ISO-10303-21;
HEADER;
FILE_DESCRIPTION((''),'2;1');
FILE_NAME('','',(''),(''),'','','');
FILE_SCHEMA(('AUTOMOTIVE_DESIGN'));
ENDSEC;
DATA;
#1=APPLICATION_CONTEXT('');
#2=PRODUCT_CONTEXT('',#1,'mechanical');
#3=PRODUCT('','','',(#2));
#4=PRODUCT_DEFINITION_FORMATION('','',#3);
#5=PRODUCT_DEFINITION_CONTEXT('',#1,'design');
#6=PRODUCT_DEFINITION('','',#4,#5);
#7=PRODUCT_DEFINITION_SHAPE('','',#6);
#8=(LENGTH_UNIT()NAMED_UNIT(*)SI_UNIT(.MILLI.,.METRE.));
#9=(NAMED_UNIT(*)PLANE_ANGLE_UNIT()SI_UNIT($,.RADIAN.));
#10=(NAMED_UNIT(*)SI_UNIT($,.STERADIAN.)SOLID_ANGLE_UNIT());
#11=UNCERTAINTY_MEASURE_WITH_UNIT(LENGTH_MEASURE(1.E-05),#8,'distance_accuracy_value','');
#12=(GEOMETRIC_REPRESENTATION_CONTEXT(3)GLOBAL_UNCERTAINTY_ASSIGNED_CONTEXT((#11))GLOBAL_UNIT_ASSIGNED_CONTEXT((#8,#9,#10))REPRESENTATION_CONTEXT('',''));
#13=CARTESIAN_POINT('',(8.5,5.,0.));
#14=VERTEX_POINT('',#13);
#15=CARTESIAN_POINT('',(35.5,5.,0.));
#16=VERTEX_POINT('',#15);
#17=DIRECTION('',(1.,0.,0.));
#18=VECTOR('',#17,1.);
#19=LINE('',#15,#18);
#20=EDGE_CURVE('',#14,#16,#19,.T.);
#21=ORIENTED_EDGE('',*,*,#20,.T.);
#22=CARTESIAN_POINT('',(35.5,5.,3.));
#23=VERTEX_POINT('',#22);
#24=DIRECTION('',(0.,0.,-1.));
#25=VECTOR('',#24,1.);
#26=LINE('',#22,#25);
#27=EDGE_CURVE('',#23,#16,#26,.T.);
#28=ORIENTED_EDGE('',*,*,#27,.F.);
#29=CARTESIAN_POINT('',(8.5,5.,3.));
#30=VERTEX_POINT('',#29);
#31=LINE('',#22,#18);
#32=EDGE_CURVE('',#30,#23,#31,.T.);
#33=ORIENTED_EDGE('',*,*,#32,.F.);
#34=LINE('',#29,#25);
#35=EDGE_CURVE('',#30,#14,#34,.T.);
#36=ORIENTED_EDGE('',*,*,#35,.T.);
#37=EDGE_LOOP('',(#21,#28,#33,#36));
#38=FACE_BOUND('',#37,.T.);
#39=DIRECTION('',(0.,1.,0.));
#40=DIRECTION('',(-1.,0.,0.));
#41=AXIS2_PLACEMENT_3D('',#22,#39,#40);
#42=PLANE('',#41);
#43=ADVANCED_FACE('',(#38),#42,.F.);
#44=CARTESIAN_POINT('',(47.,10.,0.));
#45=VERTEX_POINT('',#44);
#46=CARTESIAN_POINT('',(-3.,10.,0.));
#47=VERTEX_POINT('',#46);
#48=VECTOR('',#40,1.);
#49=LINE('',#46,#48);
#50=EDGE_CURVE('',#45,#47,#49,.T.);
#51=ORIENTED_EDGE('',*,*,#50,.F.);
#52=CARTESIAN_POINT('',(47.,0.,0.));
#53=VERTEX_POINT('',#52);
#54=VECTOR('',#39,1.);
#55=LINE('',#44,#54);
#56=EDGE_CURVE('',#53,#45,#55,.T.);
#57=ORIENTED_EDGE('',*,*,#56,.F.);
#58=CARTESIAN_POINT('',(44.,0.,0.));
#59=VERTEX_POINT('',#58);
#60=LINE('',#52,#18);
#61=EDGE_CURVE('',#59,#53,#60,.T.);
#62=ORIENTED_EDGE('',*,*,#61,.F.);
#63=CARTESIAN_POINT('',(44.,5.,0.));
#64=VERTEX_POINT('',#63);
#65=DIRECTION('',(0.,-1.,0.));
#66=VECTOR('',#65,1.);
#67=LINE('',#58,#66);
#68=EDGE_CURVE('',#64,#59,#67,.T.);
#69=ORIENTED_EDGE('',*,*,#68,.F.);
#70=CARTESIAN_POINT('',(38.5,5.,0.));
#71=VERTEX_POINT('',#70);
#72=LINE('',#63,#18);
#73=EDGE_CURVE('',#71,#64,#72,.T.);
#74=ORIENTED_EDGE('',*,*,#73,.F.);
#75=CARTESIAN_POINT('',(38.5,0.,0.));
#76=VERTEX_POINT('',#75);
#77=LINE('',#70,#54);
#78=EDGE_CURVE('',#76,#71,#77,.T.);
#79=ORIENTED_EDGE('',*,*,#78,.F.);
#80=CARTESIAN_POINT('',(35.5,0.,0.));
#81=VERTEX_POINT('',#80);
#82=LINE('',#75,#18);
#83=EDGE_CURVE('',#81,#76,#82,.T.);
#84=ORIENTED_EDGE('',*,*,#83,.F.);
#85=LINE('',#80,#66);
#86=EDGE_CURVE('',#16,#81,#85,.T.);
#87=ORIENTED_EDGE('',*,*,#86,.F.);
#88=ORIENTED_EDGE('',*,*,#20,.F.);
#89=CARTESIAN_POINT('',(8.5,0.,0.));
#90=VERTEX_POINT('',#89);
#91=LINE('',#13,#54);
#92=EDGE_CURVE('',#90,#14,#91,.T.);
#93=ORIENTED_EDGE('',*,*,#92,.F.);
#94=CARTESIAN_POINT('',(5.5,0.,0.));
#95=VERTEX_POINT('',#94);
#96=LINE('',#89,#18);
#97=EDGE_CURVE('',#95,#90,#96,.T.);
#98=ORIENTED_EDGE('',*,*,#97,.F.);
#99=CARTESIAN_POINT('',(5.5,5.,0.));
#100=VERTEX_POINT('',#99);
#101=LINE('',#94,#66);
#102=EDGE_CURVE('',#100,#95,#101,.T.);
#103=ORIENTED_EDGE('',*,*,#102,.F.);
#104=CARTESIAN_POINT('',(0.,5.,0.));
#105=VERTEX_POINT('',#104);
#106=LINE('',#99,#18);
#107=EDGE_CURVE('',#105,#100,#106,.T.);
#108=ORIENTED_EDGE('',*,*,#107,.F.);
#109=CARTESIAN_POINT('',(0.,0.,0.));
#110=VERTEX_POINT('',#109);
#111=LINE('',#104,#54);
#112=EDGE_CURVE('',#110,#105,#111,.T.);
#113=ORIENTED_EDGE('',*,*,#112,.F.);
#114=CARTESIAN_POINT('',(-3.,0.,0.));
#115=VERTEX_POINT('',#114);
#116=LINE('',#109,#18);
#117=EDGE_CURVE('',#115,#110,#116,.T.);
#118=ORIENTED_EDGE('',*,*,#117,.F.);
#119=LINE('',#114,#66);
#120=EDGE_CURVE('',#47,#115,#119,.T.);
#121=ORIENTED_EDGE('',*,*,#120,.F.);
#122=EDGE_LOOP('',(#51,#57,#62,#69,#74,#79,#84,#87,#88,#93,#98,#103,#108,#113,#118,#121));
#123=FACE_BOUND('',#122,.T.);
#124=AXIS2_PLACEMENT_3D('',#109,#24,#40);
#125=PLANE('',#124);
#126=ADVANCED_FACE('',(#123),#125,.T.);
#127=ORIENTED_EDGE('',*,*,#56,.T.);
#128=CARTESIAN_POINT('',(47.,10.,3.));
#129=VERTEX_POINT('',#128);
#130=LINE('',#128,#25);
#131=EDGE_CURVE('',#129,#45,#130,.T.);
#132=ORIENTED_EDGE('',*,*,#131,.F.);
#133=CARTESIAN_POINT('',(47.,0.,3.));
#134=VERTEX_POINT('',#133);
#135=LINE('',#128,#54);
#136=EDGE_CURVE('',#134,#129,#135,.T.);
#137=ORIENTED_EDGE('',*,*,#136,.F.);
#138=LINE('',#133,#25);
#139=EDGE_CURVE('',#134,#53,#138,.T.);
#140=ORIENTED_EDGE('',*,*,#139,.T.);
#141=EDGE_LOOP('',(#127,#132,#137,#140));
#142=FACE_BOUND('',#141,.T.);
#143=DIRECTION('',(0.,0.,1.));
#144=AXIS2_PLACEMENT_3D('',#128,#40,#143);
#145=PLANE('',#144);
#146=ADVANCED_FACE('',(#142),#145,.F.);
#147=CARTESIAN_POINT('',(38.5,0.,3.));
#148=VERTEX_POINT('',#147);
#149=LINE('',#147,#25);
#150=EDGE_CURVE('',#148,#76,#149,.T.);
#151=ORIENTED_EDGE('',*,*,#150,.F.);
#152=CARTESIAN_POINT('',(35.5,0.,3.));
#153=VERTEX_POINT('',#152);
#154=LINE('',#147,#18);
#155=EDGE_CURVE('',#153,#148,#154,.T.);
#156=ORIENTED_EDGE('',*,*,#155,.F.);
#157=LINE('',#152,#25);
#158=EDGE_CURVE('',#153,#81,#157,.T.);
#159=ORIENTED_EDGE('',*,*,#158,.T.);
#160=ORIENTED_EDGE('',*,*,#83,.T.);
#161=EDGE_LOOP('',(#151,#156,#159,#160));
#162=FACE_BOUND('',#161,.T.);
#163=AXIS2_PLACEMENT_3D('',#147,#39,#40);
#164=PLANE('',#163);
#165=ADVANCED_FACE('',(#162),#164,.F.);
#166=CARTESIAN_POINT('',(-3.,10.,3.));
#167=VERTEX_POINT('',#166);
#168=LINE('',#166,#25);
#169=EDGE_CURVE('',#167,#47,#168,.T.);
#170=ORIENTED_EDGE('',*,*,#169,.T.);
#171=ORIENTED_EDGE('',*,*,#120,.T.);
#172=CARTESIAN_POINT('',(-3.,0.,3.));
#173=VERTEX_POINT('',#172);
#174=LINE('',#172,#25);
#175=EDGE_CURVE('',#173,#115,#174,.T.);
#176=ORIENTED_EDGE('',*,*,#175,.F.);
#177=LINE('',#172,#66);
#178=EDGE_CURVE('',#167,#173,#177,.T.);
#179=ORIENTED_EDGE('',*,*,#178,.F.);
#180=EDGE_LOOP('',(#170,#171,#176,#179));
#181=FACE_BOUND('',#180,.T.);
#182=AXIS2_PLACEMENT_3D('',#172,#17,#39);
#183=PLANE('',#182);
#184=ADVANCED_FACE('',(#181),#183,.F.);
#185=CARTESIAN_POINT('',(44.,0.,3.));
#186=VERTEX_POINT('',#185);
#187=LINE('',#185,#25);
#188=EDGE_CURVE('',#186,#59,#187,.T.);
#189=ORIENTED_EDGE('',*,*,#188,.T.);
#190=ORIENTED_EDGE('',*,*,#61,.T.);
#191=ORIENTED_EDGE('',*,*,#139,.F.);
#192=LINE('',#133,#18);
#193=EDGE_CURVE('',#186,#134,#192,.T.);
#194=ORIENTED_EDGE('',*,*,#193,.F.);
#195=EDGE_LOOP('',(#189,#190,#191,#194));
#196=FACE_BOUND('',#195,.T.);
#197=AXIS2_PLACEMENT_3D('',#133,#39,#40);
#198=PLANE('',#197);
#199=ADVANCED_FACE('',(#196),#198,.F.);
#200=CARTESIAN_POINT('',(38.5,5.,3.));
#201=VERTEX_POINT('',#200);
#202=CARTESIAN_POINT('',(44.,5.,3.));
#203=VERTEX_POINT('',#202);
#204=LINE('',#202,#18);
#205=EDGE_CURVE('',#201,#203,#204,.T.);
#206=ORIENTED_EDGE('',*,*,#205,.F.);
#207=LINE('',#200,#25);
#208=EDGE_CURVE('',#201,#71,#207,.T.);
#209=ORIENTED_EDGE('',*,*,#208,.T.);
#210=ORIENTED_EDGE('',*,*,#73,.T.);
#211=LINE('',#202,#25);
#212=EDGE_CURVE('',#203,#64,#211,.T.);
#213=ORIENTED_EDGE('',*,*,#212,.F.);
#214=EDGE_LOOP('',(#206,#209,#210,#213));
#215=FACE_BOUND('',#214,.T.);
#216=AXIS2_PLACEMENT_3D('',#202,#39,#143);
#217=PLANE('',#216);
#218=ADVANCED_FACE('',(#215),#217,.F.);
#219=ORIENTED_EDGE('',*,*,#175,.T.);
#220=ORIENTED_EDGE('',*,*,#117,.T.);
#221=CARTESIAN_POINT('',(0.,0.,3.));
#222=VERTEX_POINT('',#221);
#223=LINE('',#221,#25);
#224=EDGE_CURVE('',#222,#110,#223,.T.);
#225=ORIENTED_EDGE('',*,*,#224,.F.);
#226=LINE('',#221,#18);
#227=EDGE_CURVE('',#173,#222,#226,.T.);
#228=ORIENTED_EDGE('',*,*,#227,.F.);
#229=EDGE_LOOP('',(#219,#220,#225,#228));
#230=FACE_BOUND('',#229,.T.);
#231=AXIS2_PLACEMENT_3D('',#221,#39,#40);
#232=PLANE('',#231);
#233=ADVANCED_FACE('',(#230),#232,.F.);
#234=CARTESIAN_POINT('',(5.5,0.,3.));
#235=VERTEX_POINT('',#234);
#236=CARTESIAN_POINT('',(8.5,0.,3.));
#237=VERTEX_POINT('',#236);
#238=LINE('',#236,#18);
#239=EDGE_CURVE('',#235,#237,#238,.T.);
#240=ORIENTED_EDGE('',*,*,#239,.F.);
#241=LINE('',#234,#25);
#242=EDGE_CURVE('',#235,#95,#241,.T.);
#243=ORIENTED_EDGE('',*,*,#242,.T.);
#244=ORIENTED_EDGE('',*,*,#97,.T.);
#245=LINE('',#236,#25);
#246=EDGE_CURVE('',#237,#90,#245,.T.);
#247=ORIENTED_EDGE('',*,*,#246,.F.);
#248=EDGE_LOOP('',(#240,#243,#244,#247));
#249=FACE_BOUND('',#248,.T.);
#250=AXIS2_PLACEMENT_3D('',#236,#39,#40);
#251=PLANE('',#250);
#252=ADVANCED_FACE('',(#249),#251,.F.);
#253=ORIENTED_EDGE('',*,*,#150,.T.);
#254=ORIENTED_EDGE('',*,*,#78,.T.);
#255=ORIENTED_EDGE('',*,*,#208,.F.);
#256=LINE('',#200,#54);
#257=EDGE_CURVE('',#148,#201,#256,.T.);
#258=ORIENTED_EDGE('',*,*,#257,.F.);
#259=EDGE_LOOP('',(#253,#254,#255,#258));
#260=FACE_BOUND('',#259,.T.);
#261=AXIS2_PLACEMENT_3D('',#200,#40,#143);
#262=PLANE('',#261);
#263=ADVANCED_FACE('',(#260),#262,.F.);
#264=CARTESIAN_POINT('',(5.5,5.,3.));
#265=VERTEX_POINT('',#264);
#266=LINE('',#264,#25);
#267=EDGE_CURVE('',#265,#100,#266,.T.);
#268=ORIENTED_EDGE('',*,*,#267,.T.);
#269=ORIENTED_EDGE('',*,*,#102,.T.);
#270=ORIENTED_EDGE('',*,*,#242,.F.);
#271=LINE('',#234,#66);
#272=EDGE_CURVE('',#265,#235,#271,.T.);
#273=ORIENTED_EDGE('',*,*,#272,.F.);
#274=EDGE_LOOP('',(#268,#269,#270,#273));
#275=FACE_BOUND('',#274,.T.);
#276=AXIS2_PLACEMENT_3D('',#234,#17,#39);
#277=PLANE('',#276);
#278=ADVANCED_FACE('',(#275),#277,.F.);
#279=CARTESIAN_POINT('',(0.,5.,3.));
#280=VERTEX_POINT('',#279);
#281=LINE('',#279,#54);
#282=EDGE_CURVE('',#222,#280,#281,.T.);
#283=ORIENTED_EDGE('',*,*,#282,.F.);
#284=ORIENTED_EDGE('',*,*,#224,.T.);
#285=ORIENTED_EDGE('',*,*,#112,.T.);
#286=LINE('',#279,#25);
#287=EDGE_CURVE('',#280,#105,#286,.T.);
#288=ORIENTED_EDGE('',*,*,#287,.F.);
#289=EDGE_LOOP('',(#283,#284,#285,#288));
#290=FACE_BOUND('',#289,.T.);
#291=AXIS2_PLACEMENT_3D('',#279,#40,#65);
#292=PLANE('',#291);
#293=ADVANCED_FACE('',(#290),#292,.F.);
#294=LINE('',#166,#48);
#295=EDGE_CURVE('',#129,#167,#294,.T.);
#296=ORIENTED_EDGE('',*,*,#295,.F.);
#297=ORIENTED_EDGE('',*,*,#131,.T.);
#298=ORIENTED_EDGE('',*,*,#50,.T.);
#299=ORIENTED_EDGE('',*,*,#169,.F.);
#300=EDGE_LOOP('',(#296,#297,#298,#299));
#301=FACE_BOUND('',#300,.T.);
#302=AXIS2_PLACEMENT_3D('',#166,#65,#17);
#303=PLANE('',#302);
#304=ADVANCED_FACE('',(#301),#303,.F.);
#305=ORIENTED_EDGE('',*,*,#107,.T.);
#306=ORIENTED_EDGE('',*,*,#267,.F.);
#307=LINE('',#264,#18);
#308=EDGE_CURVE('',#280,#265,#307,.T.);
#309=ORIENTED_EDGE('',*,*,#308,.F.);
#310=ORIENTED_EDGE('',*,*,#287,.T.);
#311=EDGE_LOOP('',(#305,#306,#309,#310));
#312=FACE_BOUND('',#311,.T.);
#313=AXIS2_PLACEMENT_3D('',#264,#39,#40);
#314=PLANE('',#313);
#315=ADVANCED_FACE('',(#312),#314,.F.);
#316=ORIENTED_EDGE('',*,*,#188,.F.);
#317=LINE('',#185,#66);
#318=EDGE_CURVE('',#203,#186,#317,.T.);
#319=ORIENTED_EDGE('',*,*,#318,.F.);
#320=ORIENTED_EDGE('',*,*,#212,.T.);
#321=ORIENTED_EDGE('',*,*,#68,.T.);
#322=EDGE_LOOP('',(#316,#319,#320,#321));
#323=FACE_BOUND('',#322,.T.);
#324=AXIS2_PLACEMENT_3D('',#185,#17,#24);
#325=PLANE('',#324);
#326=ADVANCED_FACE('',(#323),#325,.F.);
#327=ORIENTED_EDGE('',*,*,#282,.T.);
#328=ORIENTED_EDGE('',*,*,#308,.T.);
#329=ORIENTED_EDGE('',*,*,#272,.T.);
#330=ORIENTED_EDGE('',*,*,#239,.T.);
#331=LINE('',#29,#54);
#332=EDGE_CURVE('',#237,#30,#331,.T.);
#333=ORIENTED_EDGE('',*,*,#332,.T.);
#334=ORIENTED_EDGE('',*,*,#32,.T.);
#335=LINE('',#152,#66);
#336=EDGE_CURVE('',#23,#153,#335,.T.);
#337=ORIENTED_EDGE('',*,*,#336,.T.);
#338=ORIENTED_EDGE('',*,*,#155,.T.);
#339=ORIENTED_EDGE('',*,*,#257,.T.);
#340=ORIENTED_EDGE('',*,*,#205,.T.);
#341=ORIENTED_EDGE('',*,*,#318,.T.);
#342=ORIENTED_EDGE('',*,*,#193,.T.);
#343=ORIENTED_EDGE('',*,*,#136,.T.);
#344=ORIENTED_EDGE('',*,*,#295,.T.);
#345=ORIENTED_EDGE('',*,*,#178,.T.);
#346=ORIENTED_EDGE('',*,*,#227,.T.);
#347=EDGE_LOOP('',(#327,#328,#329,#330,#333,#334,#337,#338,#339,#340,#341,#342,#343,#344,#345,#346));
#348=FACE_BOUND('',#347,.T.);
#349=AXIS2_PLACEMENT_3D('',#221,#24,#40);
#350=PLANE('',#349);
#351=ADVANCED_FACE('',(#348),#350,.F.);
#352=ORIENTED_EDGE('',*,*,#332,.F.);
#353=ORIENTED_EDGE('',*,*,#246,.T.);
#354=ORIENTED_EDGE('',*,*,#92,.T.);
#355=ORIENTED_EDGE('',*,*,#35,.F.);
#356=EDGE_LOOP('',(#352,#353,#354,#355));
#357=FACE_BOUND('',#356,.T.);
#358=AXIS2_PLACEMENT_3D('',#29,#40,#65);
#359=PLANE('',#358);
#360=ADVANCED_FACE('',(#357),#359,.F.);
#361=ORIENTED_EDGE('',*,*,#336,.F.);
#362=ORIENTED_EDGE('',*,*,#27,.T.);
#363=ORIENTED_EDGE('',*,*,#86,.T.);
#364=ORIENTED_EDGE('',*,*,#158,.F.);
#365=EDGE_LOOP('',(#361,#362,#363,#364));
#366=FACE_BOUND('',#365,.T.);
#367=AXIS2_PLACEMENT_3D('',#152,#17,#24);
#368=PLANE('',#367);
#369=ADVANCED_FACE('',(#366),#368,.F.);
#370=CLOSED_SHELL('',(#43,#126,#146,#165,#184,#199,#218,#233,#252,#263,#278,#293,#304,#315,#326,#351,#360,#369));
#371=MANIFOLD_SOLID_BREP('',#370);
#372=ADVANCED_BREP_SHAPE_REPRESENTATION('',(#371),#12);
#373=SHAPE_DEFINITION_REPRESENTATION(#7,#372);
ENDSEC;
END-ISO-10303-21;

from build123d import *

# Parameters (mm, degrees)
EXTRUDE_1_DEPTH = 3


with BuildPart() as part:
    # ｽｹｯﾁ1 → ﾎﾞｽ - 押し出し1 (new body)
    with BuildSketch(Plane.XY):
        Polygon((0, 0), (-3, 0), (-3, 10), (47, 10), (47, 0), (44, 0), (44, 5), (38.5, 5), (38.5, 0), (35.5, 0), (35.5, 5), (8.5, 5), (8.5, 0), (5.5, 0), (5.5, 5), (0, 5), align=None)
    extrude(amount=EXTRUDE_1_DEPTH)


solid = part.part
